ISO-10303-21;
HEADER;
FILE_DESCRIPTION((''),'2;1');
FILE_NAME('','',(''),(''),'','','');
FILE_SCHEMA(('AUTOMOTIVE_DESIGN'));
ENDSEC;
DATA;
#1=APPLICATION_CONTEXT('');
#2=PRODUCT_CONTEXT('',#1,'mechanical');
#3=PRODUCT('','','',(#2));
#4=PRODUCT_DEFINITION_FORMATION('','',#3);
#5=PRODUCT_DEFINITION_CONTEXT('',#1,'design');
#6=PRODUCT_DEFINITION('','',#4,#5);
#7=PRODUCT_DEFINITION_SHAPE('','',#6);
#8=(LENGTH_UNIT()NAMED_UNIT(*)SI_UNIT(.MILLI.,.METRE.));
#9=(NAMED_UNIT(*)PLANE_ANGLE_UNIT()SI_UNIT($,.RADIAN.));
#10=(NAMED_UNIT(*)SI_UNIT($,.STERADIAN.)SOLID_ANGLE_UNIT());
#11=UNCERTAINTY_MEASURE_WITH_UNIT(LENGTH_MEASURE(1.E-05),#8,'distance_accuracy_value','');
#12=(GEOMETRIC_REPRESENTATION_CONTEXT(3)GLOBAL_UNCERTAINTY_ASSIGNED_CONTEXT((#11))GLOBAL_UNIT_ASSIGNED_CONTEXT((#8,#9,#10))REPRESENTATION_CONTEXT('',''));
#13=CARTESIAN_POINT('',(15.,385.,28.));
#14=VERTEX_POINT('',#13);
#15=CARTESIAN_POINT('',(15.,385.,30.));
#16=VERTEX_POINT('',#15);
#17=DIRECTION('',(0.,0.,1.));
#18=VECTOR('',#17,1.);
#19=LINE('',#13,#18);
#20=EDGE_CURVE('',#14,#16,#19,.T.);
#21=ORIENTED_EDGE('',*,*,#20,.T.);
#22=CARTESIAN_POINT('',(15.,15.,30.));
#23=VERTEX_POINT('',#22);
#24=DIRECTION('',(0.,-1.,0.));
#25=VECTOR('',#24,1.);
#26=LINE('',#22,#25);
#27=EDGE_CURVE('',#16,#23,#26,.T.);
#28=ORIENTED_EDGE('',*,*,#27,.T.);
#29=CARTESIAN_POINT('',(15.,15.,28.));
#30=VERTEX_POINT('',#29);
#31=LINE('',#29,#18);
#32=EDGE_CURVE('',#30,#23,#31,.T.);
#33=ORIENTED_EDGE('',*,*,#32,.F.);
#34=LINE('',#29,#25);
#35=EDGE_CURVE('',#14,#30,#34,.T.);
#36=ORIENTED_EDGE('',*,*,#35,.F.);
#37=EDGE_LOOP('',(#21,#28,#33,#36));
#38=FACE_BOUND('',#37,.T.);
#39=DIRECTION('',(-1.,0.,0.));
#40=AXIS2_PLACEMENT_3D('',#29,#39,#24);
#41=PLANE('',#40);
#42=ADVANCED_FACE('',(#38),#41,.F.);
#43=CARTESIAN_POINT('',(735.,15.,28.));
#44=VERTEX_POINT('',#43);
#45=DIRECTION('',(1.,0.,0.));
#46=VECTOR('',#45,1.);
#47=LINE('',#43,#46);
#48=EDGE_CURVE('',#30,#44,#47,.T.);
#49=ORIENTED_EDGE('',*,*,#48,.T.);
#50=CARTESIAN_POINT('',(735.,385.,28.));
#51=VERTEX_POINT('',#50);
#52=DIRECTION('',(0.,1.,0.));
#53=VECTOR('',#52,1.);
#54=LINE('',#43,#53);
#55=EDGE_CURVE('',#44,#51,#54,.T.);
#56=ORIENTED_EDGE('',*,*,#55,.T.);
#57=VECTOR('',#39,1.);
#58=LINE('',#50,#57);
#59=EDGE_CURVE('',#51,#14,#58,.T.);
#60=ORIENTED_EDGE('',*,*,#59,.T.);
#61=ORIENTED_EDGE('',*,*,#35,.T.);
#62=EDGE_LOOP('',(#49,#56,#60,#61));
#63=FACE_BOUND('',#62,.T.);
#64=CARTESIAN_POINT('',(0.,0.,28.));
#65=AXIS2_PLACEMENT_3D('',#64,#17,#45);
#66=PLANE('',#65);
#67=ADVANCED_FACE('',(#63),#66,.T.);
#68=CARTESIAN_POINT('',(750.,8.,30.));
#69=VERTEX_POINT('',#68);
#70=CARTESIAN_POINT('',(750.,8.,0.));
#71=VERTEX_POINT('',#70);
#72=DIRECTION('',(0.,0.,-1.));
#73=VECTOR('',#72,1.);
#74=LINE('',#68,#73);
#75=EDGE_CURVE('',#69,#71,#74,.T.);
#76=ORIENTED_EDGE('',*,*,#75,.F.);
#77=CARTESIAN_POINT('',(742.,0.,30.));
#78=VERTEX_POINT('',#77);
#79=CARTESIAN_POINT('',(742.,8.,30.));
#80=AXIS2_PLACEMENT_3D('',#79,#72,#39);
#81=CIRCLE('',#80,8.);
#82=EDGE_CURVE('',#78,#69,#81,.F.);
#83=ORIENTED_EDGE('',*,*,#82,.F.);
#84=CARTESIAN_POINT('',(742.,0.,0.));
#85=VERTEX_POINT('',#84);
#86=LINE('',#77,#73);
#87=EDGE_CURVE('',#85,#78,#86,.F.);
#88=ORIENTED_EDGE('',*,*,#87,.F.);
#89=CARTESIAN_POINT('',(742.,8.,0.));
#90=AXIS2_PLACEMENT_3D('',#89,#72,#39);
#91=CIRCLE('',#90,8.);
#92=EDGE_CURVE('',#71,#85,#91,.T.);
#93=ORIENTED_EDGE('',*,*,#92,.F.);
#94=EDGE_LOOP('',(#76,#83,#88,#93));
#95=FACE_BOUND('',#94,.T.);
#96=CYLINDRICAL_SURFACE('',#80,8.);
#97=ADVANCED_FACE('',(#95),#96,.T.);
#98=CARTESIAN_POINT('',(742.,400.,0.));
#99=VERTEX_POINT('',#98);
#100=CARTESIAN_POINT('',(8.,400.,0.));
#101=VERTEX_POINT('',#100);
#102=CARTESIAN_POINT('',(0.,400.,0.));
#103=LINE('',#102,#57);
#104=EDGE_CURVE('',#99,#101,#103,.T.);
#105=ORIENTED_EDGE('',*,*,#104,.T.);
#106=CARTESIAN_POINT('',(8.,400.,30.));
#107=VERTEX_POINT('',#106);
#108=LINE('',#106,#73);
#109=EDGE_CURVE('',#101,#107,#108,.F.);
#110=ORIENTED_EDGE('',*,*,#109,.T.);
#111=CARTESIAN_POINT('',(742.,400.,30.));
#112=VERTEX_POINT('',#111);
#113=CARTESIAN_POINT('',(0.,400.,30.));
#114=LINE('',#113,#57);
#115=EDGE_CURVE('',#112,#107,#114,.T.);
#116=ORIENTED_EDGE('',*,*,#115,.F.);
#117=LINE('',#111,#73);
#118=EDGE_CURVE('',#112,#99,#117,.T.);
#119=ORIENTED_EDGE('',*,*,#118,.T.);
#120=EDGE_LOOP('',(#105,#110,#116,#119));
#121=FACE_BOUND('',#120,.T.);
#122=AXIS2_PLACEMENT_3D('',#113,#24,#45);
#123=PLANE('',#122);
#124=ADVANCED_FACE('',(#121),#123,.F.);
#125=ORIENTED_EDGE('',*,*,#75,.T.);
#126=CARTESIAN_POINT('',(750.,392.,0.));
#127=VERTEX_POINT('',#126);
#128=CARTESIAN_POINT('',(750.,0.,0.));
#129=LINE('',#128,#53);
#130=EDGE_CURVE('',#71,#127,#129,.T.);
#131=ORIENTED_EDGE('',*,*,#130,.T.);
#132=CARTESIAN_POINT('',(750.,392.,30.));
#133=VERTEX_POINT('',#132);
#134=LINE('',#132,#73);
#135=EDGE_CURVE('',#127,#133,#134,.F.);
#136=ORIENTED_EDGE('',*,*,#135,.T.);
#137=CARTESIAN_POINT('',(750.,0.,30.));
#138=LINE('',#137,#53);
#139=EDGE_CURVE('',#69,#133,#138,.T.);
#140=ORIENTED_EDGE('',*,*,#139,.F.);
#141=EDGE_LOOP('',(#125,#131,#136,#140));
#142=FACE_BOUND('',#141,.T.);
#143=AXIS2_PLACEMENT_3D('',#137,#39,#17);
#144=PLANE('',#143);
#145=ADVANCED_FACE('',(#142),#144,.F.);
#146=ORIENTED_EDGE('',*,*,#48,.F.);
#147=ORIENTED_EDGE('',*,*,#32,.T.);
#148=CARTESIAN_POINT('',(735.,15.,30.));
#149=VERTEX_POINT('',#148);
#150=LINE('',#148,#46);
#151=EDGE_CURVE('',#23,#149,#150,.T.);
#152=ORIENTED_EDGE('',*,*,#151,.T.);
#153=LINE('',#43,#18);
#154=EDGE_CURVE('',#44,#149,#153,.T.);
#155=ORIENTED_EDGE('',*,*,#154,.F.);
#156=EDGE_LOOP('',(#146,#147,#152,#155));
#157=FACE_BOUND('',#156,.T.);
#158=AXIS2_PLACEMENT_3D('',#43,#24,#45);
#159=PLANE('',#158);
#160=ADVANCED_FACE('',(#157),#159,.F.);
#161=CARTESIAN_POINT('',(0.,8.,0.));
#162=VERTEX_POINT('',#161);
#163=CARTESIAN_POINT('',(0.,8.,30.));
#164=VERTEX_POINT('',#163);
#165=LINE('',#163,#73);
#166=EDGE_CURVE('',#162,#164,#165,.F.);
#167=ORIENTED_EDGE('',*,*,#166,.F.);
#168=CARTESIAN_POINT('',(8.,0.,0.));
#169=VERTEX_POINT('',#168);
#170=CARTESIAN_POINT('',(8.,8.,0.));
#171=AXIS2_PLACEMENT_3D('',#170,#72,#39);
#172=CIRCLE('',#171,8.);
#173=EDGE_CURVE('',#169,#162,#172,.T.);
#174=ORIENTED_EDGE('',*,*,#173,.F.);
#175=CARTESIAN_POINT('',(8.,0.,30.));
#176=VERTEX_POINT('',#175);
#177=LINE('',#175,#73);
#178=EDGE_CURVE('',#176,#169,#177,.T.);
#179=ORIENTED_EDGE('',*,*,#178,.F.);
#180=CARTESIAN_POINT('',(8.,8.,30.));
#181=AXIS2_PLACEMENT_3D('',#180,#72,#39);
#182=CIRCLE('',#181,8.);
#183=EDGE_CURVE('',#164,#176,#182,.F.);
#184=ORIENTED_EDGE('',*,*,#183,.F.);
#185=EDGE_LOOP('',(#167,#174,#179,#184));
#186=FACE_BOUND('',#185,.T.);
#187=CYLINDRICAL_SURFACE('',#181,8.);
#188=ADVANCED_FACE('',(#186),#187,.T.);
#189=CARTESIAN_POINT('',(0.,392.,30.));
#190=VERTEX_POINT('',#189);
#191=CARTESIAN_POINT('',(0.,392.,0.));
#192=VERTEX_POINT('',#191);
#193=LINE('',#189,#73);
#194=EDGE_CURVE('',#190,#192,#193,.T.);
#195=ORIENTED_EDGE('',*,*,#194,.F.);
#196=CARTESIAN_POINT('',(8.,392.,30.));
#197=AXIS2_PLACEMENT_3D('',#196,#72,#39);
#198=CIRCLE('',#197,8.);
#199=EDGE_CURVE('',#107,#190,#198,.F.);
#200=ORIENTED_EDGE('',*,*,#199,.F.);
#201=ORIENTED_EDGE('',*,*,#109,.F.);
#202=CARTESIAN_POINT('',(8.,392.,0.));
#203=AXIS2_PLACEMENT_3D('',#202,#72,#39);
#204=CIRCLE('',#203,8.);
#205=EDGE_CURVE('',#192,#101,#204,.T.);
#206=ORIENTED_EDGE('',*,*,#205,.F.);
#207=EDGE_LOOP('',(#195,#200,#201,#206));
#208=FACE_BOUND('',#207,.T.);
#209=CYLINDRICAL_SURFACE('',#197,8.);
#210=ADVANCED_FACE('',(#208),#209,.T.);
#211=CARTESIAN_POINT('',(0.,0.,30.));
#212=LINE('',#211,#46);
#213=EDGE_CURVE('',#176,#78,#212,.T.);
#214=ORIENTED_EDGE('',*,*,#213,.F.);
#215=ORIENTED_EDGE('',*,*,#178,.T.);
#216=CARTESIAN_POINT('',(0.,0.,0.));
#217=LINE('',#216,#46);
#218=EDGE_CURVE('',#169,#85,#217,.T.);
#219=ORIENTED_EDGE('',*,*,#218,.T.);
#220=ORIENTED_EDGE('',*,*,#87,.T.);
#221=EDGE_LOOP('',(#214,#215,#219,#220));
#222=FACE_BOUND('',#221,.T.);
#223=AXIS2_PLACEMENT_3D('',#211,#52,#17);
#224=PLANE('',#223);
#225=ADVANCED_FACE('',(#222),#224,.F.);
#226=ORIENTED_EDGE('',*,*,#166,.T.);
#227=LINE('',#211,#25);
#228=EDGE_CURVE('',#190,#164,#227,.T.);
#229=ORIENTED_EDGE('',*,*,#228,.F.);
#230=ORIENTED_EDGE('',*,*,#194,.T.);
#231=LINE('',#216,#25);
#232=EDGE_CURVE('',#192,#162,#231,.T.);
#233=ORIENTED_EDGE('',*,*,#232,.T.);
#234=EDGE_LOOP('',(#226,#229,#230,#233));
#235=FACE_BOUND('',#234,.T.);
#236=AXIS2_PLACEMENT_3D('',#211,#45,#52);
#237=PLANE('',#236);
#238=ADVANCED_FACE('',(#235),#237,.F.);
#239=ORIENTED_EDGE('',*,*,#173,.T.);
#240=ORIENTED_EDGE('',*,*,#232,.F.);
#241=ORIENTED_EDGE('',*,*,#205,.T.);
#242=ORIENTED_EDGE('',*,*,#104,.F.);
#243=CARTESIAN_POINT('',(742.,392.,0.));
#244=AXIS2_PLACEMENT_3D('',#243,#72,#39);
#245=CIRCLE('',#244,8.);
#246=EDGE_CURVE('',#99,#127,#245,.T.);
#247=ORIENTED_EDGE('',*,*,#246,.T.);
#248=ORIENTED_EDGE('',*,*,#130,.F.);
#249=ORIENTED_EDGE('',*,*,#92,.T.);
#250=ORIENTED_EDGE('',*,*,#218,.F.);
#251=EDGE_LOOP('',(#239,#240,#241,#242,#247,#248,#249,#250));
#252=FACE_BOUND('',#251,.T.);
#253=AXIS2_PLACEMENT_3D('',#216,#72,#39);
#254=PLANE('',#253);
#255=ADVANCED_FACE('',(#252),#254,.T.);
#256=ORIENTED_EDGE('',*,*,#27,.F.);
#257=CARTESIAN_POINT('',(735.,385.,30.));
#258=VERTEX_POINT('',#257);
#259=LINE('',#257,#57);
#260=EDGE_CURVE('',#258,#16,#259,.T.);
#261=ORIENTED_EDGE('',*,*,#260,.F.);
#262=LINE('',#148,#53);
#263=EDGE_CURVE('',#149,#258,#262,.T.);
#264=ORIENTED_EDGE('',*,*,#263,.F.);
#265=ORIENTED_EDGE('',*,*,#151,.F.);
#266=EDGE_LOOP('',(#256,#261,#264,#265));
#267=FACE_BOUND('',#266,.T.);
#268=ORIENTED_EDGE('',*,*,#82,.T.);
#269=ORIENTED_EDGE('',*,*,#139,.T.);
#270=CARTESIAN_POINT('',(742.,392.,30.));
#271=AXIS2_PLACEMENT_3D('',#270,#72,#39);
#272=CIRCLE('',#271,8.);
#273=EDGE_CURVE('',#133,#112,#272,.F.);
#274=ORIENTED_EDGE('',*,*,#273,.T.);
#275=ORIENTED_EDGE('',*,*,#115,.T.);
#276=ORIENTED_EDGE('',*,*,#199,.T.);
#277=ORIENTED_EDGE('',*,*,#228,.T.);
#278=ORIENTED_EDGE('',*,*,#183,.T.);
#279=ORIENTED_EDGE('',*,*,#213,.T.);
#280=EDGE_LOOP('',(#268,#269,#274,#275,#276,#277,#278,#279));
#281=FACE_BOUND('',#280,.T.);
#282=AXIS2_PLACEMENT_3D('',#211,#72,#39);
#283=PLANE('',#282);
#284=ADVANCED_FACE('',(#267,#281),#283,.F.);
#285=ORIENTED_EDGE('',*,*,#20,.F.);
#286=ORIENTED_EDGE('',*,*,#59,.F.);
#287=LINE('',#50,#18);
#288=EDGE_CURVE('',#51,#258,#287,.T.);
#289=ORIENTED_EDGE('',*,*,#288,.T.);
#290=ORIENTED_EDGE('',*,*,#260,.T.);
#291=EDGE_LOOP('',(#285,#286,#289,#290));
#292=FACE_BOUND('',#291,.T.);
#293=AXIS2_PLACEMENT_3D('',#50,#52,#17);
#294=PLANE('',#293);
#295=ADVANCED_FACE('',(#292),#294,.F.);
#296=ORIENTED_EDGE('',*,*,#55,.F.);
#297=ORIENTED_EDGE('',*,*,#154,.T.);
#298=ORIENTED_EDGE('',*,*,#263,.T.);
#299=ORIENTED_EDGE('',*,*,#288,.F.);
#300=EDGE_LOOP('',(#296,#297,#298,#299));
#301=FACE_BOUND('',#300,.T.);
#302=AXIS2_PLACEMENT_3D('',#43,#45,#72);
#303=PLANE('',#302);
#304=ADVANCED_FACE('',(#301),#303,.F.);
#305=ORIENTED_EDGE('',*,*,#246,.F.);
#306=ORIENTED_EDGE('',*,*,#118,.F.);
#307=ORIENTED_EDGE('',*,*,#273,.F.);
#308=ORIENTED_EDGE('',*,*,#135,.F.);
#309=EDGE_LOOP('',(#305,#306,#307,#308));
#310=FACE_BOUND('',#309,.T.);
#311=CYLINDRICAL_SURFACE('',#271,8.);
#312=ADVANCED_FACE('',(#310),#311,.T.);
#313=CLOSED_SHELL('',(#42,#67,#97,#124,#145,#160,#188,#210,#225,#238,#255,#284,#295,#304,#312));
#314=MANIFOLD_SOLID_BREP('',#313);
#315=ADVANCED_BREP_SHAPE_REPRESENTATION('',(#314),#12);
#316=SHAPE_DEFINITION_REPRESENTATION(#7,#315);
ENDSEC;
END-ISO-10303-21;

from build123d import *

# Parameters (mm, degrees)
CROQUIS1_W              = 750
CROQUIS1_H              = 400
SALIENTE_EXTRUIR1_DEPTH = 30
CROQUIS2_W              = 720
CROQUIS2_H              = 370
CORTAR_EXTRUIR1_DEPTH   = 2
REDONDEO1_R             = 8


with BuildPart() as part:
    # Croquis1 → Saliente-Extruir1 (new body)
    with BuildSketch(Plane.XY):
        with Locations((375, 200)):
            Rectangle(CROQUIS1_W, CROQUIS1_H)
    extrude(amount=SALIENTE_EXTRUIR1_DEPTH)

    # Croquis2 → Cortar-Extruir1 (cut)
    with BuildSketch(Plane.XY.offset(30)):
        with Locations((375, 200)):
            Rectangle(CROQUIS2_W, CROQUIS2_H)
    extrude(amount=-CORTAR_EXTRUIR1_DEPTH, mode=Mode.SUBTRACT)

    # Redondeo1
    redondeo1_edges = [part.edges().sort_by_distance(p)[0] for p in [
        (0, 400, 15),
        (750, 400, 15),
        (750, 0, 15),
        (0, 0, 15),
    ]]
    fillet(redondeo1_edges, radius=REDONDEO1_R)


solid = part.part
